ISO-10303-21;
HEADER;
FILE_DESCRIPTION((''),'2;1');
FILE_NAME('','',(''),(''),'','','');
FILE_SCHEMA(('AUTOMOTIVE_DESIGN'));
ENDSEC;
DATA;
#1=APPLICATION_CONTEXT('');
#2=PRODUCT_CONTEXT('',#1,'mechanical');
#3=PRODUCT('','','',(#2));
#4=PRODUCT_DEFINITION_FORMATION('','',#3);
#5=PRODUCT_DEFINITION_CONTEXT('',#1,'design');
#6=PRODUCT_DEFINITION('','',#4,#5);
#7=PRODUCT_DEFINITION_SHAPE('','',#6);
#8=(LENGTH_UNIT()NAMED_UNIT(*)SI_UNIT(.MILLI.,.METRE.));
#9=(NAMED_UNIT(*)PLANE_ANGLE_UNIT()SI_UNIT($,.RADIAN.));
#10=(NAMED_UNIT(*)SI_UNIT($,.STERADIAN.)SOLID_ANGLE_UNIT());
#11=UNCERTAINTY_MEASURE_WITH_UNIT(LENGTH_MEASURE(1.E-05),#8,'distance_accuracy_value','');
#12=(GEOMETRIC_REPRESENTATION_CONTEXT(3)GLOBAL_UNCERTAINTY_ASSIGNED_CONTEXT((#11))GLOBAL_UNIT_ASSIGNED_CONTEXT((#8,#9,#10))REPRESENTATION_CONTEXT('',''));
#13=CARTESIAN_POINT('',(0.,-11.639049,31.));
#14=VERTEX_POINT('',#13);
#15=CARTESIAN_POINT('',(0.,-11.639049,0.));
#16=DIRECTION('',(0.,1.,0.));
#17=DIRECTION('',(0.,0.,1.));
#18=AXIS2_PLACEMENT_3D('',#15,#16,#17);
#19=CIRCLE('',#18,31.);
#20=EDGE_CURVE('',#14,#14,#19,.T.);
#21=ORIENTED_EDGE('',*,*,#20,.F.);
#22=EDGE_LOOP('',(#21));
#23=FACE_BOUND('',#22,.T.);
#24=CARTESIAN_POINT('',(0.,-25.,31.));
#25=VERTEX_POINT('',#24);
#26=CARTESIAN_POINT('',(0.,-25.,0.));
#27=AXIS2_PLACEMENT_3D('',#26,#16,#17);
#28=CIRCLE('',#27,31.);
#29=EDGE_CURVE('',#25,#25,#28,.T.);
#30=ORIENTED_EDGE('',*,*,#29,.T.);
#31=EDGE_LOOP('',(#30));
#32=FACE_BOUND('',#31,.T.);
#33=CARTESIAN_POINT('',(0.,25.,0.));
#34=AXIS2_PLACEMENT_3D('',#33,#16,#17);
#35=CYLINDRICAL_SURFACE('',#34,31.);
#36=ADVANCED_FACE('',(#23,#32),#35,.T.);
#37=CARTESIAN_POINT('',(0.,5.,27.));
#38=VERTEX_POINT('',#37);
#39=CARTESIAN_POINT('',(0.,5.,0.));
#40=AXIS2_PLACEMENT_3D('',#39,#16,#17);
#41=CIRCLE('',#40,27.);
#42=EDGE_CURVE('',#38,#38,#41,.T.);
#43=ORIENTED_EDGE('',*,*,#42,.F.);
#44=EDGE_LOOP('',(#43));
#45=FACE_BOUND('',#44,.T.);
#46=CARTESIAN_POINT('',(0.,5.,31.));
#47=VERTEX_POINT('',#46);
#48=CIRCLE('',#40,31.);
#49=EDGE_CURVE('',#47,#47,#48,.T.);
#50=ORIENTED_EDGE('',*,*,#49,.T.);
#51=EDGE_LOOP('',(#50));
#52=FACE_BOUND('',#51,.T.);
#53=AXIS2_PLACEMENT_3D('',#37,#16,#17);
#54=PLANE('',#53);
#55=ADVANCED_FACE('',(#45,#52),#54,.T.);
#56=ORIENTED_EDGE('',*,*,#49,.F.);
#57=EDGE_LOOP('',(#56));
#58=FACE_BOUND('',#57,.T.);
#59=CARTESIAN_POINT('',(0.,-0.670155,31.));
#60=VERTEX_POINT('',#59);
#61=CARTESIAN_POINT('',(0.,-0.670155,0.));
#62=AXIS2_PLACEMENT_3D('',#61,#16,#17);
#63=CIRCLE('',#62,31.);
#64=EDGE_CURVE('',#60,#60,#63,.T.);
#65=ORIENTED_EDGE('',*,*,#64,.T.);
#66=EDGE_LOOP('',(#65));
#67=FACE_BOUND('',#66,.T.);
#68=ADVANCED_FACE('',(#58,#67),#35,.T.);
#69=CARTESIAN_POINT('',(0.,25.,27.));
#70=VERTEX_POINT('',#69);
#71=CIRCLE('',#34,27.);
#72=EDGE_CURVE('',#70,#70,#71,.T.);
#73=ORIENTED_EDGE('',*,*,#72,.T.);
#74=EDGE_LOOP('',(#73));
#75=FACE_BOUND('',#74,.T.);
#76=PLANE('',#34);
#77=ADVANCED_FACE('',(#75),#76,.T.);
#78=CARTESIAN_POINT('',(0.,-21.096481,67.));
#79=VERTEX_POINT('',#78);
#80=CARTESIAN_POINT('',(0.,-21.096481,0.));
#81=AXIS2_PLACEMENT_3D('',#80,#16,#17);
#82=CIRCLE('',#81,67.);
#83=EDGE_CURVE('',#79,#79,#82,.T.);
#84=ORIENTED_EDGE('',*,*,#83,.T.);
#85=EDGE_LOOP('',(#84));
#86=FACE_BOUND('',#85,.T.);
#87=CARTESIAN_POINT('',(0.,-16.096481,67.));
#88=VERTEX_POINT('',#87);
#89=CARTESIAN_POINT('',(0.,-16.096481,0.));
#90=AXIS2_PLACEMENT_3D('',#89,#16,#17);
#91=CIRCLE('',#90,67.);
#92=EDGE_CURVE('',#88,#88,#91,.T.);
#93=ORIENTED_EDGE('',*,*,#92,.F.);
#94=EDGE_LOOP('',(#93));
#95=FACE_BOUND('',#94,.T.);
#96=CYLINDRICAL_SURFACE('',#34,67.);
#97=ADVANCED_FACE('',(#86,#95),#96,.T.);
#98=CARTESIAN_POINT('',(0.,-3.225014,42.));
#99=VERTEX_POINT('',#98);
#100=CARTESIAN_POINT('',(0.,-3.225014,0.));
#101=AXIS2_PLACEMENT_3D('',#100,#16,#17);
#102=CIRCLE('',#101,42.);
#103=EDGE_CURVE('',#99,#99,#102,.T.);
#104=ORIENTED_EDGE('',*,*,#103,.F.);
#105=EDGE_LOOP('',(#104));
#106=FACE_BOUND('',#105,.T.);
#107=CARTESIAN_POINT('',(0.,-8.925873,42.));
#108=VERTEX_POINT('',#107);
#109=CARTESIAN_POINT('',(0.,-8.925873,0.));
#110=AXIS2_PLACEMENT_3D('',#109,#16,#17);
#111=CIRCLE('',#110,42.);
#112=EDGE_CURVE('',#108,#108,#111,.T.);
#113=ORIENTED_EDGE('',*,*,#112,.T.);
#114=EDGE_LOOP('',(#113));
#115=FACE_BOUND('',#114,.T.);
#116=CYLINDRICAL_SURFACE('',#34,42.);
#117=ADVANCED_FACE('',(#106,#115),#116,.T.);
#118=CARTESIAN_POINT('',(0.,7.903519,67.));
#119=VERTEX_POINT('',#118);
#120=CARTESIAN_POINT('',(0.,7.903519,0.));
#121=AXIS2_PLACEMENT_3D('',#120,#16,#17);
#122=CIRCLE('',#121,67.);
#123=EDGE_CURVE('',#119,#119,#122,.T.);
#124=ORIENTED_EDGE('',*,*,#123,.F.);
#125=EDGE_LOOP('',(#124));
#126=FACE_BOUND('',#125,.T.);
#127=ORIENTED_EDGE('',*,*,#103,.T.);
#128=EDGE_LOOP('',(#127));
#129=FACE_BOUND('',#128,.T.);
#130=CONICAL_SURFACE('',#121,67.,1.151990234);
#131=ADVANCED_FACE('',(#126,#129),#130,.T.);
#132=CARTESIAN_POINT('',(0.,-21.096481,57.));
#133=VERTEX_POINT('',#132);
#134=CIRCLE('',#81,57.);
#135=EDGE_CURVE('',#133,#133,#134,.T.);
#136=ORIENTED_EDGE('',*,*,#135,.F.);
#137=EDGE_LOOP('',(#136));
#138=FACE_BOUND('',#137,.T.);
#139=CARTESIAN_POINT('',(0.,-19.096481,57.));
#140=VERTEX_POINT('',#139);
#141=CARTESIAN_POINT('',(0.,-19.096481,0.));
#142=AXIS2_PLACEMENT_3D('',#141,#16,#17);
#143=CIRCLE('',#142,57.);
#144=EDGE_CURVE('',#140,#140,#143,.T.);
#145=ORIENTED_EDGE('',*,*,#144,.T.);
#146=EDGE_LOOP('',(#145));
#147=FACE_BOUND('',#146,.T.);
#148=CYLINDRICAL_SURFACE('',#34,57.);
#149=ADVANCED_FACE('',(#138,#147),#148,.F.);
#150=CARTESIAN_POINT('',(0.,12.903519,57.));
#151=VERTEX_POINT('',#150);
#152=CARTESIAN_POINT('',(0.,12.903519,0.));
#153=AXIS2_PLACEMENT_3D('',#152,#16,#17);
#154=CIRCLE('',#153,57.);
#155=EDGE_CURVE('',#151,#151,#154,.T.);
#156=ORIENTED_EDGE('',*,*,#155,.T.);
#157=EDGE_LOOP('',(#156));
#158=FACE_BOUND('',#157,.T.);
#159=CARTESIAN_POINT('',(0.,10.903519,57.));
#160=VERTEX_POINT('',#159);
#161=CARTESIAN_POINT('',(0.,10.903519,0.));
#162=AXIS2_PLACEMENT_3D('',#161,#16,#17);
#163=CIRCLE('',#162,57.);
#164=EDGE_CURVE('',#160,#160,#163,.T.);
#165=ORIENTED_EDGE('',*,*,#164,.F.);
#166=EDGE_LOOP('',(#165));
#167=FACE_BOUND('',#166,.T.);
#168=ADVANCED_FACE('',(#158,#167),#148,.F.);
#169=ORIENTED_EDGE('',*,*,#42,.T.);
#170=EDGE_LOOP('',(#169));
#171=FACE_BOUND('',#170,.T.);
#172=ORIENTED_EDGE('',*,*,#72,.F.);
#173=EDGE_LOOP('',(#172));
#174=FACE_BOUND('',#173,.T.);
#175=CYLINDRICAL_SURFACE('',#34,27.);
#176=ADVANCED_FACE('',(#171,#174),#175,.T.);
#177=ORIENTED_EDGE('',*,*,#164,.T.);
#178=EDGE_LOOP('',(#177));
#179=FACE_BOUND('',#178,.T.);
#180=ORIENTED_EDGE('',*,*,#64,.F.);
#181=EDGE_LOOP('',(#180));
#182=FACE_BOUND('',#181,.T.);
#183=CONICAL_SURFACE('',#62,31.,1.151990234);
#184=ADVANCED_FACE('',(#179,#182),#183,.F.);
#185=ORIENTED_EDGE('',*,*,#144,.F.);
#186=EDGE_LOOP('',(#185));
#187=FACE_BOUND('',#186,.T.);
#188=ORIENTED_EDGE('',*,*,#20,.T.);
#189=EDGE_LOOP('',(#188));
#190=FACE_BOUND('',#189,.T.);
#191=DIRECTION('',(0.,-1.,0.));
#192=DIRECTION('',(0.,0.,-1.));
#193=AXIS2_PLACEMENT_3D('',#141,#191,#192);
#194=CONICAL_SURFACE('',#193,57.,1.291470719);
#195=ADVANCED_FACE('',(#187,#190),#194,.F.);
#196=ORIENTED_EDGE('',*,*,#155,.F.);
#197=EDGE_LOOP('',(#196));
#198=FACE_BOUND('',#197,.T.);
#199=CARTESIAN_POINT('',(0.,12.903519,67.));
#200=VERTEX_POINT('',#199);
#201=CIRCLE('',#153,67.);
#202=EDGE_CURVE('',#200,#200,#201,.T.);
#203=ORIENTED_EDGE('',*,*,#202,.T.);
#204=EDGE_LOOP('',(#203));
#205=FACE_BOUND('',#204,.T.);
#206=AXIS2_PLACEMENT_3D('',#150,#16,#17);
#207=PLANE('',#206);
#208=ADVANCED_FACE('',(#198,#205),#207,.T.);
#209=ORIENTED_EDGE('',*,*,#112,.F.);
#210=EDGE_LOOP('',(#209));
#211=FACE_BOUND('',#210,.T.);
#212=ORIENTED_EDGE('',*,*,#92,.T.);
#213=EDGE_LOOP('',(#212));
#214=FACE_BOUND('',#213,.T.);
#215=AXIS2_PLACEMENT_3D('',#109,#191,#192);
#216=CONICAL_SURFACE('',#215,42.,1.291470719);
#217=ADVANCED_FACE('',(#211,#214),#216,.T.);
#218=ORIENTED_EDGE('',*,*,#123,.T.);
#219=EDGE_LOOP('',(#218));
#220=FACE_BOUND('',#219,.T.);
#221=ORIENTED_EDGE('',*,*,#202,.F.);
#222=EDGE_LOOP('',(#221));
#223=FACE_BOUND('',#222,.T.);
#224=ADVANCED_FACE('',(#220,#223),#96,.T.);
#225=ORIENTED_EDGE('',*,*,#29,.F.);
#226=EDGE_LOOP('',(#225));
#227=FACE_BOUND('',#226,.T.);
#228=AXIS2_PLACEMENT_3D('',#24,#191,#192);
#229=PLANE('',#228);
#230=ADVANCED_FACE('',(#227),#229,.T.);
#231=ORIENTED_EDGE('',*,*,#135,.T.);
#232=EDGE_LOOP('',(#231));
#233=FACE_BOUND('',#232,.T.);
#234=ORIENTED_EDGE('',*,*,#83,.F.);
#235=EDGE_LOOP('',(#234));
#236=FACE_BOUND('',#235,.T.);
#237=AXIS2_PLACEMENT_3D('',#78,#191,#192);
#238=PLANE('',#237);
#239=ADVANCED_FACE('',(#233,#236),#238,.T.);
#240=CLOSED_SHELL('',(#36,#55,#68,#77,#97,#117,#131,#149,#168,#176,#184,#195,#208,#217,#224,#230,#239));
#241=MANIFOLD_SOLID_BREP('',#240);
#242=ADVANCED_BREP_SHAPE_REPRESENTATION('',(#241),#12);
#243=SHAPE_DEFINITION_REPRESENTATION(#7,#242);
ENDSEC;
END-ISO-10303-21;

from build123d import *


with BuildPart() as part:
    # Sketch4 → Revolve1 (revolve)
    with BuildSketch(Plane(origin=(0, 0, 0), x_dir=(0, 0, -1), z_dir=(1, 0, 0))):
        Polygon((0, 25), (0, -25), (-31, -25), (-31, -11.639049179), (-57, -19.096481272), (-57, -21.096481272), (-67, -21.096481272), (-67, -16.096481272), (-42, -8.92587349), (-42, -3.225013879), (-67, 7.903518728), (-67, 12.903518728), (-57, 12.903518728), (-57, 10.903518728), (-31, -0.670155183), (-31, 5), (-27, 5), (-27, 25), align=None)
    revolve(axis=Axis((0, 25, 0), (0, -1, 0)))


solid = part.part
